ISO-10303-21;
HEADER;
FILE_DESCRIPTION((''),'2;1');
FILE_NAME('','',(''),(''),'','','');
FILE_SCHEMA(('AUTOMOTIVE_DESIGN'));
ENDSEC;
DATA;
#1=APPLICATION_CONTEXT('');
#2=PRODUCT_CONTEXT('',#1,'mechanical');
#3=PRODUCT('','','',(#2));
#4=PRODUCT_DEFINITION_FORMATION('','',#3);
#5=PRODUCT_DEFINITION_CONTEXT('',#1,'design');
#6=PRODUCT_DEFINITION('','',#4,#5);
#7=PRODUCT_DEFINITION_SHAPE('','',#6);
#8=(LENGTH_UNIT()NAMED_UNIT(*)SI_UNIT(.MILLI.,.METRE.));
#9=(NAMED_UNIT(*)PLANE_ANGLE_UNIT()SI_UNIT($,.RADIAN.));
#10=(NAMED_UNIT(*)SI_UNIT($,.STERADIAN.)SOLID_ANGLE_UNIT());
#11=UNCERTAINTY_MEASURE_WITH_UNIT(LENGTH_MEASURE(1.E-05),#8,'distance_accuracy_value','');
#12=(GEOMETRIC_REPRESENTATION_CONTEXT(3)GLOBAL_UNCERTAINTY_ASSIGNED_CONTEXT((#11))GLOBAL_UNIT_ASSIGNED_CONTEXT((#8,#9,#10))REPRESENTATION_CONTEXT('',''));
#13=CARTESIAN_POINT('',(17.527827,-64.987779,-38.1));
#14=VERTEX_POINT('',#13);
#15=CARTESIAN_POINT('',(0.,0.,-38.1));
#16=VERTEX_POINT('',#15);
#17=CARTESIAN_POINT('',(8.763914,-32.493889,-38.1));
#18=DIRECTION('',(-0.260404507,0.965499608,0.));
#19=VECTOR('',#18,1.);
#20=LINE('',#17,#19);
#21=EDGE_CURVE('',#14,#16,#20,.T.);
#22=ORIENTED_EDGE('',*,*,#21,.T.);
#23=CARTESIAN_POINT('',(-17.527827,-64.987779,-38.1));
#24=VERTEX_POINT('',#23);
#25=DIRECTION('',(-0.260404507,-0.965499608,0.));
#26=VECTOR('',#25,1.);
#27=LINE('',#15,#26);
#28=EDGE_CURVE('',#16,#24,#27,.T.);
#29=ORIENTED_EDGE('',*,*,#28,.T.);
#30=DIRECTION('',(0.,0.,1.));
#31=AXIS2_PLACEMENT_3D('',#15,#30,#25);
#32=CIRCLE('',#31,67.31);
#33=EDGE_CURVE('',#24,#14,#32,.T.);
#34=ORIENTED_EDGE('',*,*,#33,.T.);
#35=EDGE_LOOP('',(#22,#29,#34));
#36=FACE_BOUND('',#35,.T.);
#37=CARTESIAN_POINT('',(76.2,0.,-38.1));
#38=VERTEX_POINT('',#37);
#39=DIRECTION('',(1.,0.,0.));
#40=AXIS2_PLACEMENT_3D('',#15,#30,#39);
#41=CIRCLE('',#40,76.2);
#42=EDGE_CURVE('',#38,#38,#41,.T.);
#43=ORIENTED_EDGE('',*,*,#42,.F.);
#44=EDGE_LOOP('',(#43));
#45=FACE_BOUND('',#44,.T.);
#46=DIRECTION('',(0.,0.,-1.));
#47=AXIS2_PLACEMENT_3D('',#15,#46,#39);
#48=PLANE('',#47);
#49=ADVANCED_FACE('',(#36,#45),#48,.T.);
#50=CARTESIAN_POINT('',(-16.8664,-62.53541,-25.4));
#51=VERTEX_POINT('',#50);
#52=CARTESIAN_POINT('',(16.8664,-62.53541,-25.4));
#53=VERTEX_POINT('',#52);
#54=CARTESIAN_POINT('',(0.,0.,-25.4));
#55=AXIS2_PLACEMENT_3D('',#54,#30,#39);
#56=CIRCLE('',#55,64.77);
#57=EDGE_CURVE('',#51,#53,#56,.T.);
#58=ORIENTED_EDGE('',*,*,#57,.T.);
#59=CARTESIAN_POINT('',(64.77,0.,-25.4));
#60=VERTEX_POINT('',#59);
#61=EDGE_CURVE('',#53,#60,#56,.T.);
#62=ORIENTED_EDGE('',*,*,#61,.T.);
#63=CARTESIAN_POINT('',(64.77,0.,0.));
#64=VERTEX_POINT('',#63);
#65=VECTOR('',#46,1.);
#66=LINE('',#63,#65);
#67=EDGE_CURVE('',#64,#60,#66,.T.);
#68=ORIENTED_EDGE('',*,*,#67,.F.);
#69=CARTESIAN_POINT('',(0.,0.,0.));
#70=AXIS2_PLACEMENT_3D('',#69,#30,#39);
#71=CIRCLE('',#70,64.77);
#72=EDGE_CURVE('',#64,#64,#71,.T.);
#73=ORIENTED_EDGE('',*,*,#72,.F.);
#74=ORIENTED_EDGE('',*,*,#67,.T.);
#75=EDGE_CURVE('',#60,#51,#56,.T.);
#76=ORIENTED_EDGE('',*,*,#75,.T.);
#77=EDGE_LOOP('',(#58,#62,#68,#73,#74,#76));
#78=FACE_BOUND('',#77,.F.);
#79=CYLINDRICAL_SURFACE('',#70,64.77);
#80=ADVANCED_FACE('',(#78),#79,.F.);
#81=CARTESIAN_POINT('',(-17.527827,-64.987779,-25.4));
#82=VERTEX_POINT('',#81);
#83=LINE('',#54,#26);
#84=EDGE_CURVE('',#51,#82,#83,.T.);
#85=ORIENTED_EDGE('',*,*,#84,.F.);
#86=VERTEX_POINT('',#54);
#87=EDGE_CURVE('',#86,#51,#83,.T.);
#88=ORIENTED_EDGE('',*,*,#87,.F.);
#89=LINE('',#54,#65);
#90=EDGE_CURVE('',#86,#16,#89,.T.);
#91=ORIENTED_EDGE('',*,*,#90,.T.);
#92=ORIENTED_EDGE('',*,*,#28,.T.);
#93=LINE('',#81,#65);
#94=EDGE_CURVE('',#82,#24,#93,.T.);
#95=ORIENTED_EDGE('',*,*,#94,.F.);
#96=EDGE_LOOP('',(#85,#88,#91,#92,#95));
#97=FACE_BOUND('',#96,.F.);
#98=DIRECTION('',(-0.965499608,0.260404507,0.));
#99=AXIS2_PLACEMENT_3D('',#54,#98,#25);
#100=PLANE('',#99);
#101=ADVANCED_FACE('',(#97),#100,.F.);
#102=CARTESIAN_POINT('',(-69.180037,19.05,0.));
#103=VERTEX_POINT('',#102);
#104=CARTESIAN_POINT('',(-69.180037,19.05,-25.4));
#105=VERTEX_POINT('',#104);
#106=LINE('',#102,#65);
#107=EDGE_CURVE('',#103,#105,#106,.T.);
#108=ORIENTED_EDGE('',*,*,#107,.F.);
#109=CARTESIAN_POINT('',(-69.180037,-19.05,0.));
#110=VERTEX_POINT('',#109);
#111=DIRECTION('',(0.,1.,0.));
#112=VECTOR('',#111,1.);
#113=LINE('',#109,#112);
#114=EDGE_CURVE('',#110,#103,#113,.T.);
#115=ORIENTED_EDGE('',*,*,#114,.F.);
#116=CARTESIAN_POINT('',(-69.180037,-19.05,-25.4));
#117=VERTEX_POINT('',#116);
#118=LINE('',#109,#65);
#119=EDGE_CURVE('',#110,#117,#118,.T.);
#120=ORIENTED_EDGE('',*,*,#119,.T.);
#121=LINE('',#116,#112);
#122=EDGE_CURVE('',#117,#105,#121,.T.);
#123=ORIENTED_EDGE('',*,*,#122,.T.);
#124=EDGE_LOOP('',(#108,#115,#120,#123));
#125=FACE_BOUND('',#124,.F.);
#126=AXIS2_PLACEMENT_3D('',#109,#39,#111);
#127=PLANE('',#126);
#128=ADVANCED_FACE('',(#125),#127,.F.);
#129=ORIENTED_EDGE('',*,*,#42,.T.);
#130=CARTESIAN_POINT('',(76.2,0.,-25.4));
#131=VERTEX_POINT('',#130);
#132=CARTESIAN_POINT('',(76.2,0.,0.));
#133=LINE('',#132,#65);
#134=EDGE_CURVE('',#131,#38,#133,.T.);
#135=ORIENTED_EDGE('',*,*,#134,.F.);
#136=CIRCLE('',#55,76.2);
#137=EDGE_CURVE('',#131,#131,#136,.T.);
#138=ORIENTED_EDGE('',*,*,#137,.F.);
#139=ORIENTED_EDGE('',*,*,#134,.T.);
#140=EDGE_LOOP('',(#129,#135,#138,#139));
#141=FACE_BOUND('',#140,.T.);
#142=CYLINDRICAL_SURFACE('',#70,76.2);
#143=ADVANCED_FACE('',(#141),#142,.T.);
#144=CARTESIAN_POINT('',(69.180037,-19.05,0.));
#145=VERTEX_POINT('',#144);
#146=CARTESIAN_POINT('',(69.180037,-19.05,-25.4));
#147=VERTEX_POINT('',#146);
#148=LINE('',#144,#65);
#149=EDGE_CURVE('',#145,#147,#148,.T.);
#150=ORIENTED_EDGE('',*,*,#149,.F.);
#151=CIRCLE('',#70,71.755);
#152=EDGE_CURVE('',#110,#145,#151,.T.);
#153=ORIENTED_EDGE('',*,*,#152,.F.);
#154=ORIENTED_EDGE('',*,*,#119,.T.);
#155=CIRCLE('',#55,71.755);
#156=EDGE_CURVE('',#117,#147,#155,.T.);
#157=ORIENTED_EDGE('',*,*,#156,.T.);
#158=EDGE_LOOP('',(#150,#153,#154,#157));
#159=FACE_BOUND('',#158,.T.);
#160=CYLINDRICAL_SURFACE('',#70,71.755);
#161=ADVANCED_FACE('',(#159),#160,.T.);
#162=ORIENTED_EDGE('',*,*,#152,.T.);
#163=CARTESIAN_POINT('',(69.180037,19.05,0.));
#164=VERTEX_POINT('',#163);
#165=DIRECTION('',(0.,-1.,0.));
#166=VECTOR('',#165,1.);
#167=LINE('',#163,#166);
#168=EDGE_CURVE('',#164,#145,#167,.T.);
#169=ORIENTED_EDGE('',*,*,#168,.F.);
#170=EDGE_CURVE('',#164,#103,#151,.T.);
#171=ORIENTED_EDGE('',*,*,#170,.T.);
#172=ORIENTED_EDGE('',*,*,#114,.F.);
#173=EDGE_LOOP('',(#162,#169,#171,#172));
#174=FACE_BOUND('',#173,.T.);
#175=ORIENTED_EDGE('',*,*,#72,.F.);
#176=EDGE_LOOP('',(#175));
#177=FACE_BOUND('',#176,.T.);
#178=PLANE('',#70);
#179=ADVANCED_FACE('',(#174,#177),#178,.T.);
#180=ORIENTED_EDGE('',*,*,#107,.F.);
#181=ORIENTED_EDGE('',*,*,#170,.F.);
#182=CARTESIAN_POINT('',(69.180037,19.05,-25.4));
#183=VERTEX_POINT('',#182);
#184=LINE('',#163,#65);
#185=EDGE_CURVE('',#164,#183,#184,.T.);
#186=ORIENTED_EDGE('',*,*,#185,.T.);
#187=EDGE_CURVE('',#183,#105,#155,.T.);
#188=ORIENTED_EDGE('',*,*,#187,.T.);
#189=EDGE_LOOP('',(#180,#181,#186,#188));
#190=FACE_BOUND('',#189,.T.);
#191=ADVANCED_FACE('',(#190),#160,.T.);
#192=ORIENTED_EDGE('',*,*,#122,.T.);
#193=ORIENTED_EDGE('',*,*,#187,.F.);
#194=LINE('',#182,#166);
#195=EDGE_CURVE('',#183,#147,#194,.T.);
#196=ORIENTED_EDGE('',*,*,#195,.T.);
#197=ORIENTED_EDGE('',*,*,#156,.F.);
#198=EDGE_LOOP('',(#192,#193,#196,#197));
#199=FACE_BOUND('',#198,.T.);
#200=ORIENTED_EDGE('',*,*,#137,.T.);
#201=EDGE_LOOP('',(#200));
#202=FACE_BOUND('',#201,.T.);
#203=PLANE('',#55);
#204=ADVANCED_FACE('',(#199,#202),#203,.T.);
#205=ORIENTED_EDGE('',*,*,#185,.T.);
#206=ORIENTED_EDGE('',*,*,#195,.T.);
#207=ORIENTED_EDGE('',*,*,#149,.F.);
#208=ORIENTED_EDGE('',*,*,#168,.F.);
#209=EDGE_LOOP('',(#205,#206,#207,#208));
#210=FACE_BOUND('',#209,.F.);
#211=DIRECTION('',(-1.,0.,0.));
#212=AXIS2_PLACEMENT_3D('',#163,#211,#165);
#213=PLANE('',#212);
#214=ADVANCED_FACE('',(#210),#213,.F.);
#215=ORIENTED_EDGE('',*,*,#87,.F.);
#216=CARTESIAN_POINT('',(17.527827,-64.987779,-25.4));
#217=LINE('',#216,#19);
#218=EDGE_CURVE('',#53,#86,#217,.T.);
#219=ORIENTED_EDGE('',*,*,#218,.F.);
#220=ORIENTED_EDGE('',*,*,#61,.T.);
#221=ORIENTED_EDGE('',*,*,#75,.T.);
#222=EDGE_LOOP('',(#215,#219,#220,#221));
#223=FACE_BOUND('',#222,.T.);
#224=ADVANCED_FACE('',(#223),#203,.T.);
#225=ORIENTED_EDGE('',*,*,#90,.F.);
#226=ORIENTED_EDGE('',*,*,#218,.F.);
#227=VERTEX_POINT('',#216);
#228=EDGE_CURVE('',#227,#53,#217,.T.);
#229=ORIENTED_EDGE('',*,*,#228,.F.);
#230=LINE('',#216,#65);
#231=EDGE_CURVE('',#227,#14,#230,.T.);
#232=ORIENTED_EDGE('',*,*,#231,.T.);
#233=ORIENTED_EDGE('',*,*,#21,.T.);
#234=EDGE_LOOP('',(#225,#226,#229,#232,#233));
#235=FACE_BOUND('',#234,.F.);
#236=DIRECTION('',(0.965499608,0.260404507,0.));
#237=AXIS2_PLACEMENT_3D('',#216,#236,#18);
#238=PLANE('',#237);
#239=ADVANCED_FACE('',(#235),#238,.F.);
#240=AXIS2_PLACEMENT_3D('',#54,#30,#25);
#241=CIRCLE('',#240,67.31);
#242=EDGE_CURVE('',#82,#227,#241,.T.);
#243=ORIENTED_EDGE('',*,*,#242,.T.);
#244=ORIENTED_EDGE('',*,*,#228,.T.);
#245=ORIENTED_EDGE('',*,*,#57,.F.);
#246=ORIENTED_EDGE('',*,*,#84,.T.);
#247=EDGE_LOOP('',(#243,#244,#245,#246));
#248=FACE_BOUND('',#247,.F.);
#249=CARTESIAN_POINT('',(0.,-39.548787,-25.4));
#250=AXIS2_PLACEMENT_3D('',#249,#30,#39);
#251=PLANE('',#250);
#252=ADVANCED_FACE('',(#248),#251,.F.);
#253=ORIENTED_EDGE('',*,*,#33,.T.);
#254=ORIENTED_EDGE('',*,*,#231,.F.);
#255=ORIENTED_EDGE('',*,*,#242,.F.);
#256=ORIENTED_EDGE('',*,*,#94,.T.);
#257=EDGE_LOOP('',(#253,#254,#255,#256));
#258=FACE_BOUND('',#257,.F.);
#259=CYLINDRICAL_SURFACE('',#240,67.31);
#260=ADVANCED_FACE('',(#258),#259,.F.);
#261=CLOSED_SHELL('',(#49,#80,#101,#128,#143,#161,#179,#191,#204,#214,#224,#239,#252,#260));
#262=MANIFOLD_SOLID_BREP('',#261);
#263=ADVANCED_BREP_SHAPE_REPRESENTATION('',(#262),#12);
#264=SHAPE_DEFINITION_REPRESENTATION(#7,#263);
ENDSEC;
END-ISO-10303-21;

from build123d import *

# Parameters (mm, degrees)
F0_R      = 76.2
F1_DEPTH  = 88.9
F2_R      = 76.2
F2_R_2    = 71.755
F3_DEPTH  = 25.4
F4_R      = 64.77
F5_DEPTH  = 25.4
F11_DEPTH = 63.501
F13_DEPTH = 25.4
F14_R     = 106.3100734062
F15_DEPTH = 50.8


with BuildPart() as f1:
    # F0 (on Top) → F1 (new body)
    with BuildSketch(Plane.XY):
        Circle(F0_R)
    extrude(amount=-F1_DEPTH)

    # F2 (on face) → F3 (cut)
    with BuildSketch(Plane.XY):
        Circle(F2_R)
        Circle(F2_R_2, mode=Mode.SUBTRACT)
    extrude(amount=-F3_DEPTH, mode=Mode.SUBTRACT)

    # F4 (on face) → F5 (cut)
    with BuildSketch(Plane.XY):
        Circle(F4_R)
    extrude(amount=-F5_DEPTH, mode=Mode.SUBTRACT)

    # F7 (on offset) → F11 (cut, through all)
    with BuildSketch(Plane.XY.offset(-25.4)):
        with BuildLine():
            Line((17.5278273627, -64.9877786045), (0, 0))
            Line((0, 0), (-17.5278273627, -64.9877786045))
            ThreePointArc((-17.5278273627, -64.9877786045), (0, -67.31), (17.5278273627, -64.9877786045))
        make_face()
    extrude(amount=-F11_DEPTH, mode=Mode.SUBTRACT)

    # F12 (on face) → F13 (cut)
    with BuildSketch(Plane.XY):
        with BuildLine():
            Line((-69.180037041, 0), (-69.180037041, 19.05))
            ThreePointArc((-69.180037041, 19.05), (-71.755, 0), (-69.180037041, -19.05))
            Line((-69.180037041, -19.05), (-69.180037041, 0))
        make_face()
        with BuildLine():
            ThreePointArc((71.755, 0), (71.1083454416, 9.6116197157), (69.180037041, 19.05))
            Line((69.180037041, 19.05), (69.180037041, 0))
            Line((69.180037041, 0), (69.180037041, -19.05))
            ThreePointArc((69.180037041, -19.05), (71.1083454416, -9.6116197157), (71.755, 0))
        make_face()
    extrude(amount=-F13_DEPTH, mode=Mode.SUBTRACT)

    # F14 (on face) → F15 (cut)
    with BuildSketch(Plane(origin=(0, 0, -88.9), x_dir=(1, 0, 0), z_dir=(0, 0, -1))):
        Circle(F14_R)
    extrude(amount=-F15_DEPTH, mode=Mode.SUBTRACT)


solid = f1.part
